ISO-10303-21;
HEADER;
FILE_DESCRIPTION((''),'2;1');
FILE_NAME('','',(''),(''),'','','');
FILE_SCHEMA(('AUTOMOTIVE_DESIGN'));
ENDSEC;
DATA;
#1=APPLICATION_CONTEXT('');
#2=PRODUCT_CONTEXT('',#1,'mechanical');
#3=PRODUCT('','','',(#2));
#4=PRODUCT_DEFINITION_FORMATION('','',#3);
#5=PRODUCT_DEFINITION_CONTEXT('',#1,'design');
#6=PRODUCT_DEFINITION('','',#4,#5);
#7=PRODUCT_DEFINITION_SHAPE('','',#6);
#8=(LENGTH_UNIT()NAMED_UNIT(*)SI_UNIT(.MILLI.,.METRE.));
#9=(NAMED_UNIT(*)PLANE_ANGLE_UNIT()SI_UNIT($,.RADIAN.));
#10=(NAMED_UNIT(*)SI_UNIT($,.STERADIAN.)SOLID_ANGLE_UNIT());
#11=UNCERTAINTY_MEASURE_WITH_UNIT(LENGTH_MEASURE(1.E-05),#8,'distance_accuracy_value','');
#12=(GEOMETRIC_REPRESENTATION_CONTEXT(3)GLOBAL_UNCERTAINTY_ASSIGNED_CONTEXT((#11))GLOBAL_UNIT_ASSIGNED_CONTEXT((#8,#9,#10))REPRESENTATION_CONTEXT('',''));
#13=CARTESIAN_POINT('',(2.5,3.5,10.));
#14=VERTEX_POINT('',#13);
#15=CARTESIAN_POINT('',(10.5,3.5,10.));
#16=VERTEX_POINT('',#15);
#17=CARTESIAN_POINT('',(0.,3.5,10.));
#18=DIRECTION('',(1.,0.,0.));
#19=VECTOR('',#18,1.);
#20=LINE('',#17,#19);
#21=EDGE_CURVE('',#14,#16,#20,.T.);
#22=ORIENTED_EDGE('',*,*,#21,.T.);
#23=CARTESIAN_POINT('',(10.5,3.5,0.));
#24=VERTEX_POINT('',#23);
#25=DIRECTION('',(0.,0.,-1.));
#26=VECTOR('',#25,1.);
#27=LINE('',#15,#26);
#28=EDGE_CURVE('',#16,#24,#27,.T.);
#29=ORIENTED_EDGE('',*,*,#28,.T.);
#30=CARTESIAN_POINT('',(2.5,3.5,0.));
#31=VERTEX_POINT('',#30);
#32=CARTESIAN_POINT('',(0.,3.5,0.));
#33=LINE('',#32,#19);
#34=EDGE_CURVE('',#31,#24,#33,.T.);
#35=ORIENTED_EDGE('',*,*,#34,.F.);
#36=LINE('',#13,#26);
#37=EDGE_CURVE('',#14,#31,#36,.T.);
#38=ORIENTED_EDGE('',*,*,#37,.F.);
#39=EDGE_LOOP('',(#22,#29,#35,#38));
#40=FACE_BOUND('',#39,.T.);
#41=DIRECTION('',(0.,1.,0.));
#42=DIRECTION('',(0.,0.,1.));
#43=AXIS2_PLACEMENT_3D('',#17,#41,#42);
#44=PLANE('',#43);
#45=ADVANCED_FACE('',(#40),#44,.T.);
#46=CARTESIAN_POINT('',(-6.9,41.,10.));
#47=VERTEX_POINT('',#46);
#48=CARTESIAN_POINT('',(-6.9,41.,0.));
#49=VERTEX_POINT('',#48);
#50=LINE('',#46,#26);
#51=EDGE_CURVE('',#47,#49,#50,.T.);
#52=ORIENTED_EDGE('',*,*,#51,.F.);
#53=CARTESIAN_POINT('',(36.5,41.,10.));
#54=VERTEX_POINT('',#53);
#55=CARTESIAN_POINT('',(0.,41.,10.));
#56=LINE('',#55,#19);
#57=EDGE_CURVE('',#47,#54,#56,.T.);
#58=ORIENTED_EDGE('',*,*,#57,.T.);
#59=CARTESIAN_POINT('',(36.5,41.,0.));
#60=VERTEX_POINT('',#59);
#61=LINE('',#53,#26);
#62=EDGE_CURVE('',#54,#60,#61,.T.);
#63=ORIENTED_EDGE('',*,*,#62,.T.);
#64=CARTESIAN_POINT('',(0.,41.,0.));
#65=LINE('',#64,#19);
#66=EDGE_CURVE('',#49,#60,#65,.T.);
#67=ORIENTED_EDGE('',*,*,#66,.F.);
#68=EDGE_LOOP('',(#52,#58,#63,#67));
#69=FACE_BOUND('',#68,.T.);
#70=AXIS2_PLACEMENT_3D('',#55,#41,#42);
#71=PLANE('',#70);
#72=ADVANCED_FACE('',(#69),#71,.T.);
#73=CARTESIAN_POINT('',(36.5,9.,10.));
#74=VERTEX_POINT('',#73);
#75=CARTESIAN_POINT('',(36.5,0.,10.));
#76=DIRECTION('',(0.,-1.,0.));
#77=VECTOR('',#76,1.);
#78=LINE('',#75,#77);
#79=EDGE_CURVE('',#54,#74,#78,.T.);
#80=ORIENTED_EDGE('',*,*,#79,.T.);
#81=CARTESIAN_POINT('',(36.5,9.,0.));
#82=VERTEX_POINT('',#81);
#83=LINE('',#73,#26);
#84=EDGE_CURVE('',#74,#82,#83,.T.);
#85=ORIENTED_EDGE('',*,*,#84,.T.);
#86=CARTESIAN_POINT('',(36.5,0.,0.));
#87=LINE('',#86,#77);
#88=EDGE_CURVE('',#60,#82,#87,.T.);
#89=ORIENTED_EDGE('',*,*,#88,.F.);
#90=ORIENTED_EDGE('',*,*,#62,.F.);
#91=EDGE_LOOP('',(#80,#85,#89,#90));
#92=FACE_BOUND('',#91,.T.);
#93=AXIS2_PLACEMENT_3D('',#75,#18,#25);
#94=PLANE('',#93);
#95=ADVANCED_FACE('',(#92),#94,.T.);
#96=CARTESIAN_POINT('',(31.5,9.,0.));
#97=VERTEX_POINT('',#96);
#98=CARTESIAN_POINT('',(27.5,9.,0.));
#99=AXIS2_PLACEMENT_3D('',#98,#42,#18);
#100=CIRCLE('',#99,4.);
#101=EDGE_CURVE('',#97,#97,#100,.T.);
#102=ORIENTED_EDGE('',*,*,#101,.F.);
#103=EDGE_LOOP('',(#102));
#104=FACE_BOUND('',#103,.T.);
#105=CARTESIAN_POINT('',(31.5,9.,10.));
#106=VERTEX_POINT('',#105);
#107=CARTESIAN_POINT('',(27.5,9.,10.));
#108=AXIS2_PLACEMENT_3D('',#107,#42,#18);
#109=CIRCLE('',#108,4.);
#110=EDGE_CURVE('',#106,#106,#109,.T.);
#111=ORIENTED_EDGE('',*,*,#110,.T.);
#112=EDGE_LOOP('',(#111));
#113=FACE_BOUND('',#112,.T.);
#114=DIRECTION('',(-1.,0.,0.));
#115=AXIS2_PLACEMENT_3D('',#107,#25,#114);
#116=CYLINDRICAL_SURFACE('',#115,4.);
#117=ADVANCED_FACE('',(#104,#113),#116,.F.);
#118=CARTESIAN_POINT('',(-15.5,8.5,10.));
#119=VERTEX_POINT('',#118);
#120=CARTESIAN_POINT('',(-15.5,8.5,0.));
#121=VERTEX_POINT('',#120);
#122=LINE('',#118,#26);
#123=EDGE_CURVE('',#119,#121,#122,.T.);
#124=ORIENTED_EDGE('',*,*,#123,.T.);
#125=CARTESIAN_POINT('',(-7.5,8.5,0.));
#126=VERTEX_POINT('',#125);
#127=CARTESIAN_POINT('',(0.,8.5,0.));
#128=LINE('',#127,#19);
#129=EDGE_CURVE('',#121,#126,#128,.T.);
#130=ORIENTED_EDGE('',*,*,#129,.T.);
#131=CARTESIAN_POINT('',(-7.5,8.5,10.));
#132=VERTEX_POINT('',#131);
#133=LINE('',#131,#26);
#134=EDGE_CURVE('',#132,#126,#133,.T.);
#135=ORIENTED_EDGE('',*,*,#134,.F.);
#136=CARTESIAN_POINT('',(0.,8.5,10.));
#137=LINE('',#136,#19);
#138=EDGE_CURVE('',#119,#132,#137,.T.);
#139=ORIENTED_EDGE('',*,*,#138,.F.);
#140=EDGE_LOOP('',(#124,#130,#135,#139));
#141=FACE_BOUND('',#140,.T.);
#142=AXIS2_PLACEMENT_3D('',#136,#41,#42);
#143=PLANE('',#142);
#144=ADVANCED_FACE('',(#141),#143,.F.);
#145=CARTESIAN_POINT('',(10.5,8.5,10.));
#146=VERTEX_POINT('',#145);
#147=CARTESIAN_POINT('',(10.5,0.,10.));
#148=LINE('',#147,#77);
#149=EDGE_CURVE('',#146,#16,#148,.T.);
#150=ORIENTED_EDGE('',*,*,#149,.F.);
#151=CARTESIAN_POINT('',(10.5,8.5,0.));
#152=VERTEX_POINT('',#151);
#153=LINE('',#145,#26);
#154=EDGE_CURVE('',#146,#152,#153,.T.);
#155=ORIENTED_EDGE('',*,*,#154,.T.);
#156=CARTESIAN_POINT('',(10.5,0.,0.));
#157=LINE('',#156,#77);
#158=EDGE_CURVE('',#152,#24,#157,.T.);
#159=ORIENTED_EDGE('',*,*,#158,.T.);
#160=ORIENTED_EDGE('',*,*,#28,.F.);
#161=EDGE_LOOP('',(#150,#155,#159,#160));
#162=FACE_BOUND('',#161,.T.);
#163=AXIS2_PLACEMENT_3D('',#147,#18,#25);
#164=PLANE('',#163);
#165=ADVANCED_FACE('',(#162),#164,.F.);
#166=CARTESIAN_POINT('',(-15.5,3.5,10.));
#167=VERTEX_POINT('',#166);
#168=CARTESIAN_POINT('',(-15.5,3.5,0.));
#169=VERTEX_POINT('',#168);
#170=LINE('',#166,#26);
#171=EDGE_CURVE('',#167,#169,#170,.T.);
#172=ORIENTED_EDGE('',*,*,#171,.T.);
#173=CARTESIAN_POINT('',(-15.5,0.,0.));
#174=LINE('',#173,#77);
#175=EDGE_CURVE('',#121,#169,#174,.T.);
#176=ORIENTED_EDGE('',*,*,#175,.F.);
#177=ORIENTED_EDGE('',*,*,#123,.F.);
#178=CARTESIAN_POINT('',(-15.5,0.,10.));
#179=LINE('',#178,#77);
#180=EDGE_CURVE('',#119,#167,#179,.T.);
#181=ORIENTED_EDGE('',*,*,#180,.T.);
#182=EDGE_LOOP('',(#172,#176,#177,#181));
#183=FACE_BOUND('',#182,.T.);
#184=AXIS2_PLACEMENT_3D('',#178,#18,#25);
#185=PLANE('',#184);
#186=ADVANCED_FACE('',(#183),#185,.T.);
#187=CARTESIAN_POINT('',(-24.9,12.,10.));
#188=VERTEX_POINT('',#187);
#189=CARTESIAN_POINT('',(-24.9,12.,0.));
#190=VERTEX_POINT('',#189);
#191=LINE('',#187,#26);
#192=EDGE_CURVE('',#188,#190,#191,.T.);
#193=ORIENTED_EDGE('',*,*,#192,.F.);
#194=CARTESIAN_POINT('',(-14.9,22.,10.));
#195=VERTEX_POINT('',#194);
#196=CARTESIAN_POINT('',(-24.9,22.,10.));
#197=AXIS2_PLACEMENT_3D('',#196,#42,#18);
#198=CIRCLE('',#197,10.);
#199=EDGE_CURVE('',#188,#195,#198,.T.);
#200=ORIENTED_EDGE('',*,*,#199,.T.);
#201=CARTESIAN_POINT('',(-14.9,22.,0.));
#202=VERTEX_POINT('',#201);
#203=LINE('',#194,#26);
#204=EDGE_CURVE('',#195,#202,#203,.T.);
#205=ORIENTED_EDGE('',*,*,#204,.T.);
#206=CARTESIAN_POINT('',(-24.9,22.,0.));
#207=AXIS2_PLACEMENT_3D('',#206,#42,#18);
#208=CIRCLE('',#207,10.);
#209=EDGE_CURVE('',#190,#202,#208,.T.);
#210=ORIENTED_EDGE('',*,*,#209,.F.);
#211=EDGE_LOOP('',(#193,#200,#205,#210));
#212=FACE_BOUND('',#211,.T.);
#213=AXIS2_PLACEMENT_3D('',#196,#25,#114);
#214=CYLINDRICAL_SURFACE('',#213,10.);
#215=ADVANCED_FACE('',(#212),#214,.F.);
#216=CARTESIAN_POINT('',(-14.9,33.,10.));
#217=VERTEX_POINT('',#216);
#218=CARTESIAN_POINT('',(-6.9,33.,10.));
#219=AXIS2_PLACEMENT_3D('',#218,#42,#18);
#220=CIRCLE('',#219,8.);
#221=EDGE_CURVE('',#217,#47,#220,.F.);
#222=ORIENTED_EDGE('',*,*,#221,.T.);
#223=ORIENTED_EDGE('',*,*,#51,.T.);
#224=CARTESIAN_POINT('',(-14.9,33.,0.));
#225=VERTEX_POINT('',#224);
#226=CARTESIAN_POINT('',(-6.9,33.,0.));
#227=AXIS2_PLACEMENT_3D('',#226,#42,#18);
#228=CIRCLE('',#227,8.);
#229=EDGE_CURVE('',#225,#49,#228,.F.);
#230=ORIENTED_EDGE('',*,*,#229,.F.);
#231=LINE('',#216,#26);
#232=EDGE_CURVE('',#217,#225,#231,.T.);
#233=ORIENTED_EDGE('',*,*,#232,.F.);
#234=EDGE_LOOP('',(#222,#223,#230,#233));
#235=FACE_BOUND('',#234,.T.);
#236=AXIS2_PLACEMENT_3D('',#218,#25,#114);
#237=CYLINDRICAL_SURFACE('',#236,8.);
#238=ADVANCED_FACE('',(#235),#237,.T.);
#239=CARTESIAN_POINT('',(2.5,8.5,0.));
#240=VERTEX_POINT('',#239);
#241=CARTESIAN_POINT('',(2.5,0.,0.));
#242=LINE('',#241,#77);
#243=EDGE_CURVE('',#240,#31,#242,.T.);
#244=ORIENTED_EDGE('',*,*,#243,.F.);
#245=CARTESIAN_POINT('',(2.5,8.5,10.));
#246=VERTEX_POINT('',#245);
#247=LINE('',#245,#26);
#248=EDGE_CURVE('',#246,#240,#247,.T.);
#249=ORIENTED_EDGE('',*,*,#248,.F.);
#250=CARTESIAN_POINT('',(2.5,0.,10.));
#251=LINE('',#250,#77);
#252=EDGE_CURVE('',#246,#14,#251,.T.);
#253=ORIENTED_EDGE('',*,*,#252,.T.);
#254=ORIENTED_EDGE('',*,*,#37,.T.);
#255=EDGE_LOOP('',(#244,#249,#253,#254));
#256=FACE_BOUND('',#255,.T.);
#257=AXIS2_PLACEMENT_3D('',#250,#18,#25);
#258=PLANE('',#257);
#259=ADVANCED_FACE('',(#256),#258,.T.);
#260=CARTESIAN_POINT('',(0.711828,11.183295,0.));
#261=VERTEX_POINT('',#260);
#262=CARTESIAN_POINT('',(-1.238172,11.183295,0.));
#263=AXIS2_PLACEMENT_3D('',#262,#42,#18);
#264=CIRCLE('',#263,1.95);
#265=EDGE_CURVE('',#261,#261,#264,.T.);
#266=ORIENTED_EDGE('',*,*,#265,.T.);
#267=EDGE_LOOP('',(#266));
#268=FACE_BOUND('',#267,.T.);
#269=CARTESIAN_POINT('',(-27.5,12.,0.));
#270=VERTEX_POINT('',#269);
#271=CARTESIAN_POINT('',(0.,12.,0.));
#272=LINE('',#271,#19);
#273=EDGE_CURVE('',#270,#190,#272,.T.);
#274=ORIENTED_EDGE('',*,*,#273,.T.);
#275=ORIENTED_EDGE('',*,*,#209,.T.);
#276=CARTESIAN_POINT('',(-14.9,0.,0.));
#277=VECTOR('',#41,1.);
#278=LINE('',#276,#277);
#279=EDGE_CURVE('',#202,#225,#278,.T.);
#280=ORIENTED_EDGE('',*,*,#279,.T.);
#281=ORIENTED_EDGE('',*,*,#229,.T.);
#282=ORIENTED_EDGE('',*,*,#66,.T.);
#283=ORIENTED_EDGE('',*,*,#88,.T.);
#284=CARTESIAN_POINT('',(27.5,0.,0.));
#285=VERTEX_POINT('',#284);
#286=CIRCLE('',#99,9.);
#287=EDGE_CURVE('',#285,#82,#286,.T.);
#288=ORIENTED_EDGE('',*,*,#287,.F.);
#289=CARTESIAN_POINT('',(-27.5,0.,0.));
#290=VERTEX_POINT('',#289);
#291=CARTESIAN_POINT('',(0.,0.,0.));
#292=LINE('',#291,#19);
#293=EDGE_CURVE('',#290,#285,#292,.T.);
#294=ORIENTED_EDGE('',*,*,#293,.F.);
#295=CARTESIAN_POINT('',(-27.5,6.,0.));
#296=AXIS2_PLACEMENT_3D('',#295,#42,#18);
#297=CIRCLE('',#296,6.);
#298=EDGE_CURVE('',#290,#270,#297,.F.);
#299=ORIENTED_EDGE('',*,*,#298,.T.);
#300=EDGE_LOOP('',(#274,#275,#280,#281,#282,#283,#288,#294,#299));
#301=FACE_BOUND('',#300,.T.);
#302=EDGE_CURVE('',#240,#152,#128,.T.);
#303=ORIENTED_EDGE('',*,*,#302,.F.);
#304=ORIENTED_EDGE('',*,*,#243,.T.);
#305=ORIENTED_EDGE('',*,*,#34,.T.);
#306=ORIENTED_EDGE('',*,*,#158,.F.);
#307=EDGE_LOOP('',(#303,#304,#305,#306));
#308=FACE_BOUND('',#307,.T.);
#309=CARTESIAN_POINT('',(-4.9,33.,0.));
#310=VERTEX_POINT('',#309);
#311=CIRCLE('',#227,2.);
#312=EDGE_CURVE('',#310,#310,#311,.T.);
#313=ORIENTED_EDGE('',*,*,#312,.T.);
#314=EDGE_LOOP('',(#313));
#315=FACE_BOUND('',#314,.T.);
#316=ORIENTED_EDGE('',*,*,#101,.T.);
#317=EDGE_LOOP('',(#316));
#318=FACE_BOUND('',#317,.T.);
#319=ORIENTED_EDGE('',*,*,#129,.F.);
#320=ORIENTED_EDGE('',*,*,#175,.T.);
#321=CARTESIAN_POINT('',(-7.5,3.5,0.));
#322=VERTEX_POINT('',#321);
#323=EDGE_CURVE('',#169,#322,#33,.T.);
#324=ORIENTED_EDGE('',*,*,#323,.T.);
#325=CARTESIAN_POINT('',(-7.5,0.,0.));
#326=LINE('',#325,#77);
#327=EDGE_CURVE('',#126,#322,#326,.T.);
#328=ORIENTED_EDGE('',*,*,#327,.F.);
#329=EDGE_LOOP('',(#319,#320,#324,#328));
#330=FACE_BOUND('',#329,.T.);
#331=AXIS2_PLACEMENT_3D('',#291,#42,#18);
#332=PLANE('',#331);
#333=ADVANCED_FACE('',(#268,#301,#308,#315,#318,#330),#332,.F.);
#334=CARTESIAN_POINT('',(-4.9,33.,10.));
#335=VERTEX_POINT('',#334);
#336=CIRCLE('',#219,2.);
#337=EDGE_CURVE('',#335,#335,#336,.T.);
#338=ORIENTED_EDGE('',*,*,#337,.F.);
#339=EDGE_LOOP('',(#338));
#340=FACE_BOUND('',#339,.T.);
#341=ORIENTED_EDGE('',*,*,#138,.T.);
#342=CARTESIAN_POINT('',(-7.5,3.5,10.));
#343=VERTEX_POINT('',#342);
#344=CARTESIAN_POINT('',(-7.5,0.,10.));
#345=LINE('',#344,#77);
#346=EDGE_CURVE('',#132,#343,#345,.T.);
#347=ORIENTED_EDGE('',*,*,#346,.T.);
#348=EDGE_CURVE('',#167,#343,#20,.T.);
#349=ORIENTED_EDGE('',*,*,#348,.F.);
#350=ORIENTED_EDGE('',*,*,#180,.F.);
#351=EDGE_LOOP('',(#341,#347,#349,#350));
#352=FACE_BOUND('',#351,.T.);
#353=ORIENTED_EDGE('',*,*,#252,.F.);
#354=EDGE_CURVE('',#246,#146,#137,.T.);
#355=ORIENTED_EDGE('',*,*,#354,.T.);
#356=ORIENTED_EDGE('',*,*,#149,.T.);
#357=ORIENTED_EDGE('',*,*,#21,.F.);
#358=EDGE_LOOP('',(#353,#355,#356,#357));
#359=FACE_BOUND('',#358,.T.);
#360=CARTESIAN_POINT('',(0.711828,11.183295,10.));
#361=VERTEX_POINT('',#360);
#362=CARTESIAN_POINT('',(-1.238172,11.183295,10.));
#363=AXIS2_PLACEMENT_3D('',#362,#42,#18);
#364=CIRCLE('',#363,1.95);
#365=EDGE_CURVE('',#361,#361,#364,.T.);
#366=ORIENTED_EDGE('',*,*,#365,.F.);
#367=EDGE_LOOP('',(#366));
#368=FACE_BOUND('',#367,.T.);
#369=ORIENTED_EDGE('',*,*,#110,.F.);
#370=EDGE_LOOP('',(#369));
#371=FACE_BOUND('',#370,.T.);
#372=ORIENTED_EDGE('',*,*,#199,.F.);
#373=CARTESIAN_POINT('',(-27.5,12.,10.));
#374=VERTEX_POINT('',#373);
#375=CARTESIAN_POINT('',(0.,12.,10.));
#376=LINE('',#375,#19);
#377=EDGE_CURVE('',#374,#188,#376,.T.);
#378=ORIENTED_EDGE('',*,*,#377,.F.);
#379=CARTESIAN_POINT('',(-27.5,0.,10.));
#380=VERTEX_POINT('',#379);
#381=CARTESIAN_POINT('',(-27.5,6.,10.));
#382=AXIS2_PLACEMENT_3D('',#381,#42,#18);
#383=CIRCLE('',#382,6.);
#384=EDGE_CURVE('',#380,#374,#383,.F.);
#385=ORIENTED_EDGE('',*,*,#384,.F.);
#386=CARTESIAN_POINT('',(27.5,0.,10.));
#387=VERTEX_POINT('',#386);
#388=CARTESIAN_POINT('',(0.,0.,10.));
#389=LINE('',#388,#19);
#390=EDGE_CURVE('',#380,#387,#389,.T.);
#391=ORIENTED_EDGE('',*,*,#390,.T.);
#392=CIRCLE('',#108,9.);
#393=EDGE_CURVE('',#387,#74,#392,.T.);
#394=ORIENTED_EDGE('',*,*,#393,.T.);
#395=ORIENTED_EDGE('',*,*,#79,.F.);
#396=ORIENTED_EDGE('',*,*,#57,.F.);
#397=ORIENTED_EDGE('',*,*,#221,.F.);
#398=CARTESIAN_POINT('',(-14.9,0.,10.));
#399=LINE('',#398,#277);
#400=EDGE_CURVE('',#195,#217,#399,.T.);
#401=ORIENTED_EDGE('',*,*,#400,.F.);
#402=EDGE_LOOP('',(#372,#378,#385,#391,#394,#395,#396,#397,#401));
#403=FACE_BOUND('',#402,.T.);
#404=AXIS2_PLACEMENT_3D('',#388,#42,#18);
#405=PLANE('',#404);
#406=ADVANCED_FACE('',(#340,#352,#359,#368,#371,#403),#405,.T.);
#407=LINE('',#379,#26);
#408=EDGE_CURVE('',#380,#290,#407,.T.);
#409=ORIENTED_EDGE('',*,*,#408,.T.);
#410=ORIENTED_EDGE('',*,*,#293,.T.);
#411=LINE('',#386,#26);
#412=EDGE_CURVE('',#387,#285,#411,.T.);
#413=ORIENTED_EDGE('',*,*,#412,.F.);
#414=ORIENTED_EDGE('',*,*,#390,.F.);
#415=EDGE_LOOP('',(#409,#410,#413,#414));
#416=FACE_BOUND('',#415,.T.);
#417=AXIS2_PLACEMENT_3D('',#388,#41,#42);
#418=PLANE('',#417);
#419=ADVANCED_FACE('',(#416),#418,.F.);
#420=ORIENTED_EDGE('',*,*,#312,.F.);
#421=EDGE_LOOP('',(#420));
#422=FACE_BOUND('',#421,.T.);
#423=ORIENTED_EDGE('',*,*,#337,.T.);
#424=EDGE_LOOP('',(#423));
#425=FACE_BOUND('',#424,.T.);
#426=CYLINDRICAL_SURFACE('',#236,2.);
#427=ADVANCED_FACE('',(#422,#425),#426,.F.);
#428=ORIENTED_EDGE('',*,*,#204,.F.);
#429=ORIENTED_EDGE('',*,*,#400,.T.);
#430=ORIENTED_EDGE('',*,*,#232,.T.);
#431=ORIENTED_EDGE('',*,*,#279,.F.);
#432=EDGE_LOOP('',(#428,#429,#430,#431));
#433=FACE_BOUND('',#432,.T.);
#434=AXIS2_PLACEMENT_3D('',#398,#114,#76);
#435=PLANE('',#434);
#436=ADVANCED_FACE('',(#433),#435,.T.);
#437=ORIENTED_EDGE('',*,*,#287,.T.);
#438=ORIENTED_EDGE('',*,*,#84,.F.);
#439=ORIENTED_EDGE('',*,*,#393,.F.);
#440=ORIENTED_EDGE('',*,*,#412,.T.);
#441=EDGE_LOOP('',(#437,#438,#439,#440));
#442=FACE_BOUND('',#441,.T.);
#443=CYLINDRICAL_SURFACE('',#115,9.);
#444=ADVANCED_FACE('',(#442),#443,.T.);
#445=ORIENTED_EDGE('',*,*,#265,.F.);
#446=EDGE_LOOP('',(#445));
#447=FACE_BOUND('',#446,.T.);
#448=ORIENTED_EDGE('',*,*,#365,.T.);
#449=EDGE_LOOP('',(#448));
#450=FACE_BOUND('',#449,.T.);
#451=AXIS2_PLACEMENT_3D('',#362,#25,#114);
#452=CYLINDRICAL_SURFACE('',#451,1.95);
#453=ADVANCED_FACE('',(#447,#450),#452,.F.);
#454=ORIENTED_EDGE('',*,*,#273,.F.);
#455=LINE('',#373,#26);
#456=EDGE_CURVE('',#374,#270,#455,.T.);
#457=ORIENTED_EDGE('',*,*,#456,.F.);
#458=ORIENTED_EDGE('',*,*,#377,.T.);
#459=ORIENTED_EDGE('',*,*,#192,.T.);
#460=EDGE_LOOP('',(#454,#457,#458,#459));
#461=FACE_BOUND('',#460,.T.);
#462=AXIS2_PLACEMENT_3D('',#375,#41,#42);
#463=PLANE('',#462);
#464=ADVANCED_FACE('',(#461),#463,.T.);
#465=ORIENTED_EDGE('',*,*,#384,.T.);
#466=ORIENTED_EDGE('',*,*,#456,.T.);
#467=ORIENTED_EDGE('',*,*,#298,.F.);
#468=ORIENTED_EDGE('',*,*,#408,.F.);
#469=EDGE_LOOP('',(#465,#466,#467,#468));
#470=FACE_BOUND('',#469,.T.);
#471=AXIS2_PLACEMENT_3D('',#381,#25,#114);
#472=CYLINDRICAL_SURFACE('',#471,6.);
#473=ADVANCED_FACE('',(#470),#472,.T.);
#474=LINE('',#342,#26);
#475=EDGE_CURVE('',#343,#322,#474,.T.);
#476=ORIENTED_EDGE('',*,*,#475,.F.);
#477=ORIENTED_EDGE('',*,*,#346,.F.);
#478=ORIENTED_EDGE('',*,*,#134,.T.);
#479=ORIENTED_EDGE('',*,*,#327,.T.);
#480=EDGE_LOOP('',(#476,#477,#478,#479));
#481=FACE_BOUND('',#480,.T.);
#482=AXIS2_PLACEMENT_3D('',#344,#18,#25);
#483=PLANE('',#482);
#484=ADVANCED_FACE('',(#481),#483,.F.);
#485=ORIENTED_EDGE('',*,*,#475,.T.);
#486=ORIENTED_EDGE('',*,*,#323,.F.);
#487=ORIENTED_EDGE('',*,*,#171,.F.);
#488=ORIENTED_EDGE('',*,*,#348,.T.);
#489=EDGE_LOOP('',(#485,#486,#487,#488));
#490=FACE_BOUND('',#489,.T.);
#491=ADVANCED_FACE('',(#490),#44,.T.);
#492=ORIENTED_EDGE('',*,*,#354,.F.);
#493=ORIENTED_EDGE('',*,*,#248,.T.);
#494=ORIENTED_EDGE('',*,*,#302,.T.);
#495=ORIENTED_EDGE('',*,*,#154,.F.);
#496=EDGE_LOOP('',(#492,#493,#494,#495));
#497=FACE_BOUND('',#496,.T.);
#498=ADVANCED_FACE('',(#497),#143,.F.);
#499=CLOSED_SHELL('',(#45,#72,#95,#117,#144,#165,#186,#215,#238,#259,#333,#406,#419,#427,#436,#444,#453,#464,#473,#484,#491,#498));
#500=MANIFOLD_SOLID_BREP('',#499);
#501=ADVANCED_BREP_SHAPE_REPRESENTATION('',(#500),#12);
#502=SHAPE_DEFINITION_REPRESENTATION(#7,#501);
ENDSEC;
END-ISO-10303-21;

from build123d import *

# Parameters (mm, degrees)
SKETCH_1_W          = 8
SKETCH_1_H          = 5
SKETCH_1_R          = 1.949999999
SKETCH_1_R_2        = 4
SKETCH_1_R_3        = 2
BOSS_EXTRUDE1_DEPTH = 10


with BuildPart() as part:
    # Sketch 1 → Boss-Extrude1 (new body)
    with BuildSketch(Plane.XY):
        with BuildLine():
            ThreePointArc((27.5, 18), (33.863961031, 15.363961031), (36.5, 9))
            Line((36.5, 9), (36.5, 41))
            Line((36.5, 41), (-6.9, 41))
            ThreePointArc((-6.9, 41), (-1.243145751, 38.656854249), (1.1, 33))
            Line((1.1, 33), (1.1, 28))
            ThreePointArc((1.1, 28), (4.028932188, 20.928932188), (11.1, 18))
            Line((11.1, 18), (27.5, 18))
        make_face()
        with BuildLine():
            ThreePointArc((-27.5, 12), (-33.5, 6), (-27.5, 0))
            Line((-27.5, 0), (27.5, 0))
            ThreePointArc((27.5, 0), (33.863961031, 2.636038969), (36.5, 9))
            ThreePointArc((36.5, 9), (33.863961031, 15.363961031), (27.5, 18))
            Line((27.5, 18), (11.1, 18))
            ThreePointArc((11.1, 18), (4.028932188, 20.928932188), (1.1, 28))
            Line((1.1, 28), (1.1, 33))
            ThreePointArc((1.1, 33), (-1.243145751, 38.656854249), (-6.9, 41))
            ThreePointArc((-6.9, 41), (-12.556854249, 38.656854249), (-14.9, 33))
            Line((-14.9, 33), (-14.9, 22))
            ThreePointArc((-14.9, 22), (-17.828932188, 14.928932188), (-24.9, 12))
            Line((-24.9, 12), (-27.5, 12))
        make_face()
        with Locations((-11.5, 6)):
            Rectangle(SKETCH_1_W, SKETCH_1_H, mode=Mode.SUBTRACT)
        with Locations((-1.238171752, 11.18329463)):
            Circle(SKETCH_1_R, mode=Mode.SUBTRACT)
        with Locations((6.5, 6)):
            Rectangle(SKETCH_1_W, SKETCH_1_H, mode=Mode.SUBTRACT)
        with Locations((27.5, 9)):
            Circle(SKETCH_1_R_2, mode=Mode.SUBTRACT)
        with Locations((-6.9, 33)):
            Circle(SKETCH_1_R_3, mode=Mode.SUBTRACT)
    extrude(amount=BOSS_EXTRUDE1_DEPTH)


solid = part.part
